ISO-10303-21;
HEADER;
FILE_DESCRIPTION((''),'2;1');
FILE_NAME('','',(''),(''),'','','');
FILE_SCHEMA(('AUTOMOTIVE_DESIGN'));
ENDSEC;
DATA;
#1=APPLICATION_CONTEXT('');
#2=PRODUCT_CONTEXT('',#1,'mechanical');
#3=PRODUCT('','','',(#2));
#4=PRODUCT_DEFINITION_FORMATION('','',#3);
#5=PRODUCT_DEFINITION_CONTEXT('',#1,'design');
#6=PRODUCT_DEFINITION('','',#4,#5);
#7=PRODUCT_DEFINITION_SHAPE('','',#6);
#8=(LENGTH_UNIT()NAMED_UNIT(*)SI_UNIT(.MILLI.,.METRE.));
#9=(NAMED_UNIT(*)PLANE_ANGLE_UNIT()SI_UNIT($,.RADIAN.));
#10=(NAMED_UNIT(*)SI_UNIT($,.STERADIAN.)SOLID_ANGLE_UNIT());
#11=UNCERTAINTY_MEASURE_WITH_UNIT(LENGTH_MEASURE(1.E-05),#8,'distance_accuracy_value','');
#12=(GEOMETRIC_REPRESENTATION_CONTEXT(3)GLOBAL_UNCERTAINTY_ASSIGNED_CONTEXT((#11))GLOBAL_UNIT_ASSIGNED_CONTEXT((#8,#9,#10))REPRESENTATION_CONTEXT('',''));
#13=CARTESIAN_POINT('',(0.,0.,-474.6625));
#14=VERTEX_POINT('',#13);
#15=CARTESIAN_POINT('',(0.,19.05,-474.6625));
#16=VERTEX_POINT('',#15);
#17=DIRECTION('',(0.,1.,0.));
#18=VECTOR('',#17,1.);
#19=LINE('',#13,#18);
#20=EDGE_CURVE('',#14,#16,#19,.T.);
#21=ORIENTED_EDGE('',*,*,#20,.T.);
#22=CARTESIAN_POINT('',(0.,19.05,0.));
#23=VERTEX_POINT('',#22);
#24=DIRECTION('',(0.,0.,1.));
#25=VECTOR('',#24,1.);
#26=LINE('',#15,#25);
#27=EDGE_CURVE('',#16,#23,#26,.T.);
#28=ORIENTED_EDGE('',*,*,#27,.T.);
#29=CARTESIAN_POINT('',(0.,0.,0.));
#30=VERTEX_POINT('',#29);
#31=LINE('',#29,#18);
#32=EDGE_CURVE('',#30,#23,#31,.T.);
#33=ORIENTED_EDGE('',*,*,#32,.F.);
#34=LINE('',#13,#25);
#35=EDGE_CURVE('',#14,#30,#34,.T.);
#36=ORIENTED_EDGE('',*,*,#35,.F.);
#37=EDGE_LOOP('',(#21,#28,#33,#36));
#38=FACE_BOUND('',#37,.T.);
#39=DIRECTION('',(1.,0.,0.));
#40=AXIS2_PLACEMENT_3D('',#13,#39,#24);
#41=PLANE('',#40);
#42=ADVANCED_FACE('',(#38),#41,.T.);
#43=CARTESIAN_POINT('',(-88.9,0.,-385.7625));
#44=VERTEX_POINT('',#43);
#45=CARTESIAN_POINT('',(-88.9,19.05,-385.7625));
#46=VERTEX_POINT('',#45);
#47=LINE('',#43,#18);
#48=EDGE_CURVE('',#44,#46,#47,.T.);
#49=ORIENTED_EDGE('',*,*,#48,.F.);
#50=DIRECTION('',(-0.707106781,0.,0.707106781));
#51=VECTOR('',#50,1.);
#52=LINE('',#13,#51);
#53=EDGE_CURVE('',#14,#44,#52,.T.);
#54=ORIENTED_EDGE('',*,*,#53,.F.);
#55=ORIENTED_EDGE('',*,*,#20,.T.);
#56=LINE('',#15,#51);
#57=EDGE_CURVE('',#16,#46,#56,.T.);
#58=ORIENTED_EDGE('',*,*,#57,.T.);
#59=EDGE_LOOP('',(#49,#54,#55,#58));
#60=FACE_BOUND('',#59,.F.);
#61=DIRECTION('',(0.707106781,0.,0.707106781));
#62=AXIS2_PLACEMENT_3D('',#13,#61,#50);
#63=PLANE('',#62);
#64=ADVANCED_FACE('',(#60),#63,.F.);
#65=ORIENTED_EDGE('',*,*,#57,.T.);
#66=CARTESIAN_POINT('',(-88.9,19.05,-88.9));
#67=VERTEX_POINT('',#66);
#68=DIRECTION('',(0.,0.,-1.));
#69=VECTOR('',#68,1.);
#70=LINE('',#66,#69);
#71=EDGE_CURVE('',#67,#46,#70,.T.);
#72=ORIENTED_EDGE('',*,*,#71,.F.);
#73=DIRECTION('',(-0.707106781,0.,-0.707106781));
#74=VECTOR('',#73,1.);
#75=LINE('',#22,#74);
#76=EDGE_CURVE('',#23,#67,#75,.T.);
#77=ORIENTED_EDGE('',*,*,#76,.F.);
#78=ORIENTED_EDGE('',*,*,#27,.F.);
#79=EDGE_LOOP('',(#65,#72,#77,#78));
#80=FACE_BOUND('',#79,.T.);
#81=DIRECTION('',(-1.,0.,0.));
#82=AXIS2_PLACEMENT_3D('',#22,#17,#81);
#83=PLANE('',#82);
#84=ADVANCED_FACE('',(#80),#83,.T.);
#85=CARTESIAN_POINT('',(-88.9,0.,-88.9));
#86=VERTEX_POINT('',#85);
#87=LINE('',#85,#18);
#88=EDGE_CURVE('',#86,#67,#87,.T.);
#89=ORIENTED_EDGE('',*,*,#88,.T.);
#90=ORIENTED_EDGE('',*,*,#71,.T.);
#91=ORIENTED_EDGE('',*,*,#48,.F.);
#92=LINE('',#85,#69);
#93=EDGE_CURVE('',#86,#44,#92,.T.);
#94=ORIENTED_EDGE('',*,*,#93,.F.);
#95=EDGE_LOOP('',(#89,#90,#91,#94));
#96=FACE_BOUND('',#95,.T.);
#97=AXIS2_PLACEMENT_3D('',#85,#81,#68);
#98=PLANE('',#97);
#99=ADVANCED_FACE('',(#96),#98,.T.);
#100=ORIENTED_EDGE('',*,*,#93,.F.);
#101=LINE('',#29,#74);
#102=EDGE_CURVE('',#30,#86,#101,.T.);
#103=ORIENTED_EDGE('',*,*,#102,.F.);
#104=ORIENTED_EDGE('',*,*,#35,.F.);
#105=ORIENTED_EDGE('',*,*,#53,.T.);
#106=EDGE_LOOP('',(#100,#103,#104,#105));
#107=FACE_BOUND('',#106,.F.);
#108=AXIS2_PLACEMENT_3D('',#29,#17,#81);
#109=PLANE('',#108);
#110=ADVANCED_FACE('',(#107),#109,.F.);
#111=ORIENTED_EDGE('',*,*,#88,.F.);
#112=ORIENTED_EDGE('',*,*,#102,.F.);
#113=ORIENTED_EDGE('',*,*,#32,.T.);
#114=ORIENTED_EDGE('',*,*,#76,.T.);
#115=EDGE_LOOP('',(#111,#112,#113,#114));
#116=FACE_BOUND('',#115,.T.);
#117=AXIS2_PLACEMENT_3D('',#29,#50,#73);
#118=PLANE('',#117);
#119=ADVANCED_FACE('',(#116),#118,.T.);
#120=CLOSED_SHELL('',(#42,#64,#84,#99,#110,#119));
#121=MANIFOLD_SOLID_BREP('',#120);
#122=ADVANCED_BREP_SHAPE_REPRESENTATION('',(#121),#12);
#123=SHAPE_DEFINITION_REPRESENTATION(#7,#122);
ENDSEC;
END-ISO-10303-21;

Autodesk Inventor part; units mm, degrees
ref_plane "YZ Plane" through (0, 0, 0) normal (1, 0, 0) x (0, 1, 0)
ref_plane "XZ Plane" through (0, 0, 0) normal (0, 1, 0) x (-1, 0, 0)
ref_plane "XY Plane" through (0, 0, 0) normal (0, 0, 1) x (1, 0, 0)
sketch "Sketch1" plane through (0, 0, 0) normal (0, 1, 0) x (-1, 0, 0)
  line L0 (88.9, -88.9) -> (88.9, -385.7625)
  line L1 (0, -474.6625) -> (0, 0)
  line L2 (0, 0) -> (88.9, -88.9)
  line L3 (0, -474.6625) -> (88.9, -385.7625)
  dimension "d3" = 474.6625
  dimension "d5" = 45
  dimension "d6" = 45
  dimension "d7" = 88.9
extrude "Extrusion1" add sketch "Sketch1" along normal blind 19.05
properties part number "TopnBottom Border"
